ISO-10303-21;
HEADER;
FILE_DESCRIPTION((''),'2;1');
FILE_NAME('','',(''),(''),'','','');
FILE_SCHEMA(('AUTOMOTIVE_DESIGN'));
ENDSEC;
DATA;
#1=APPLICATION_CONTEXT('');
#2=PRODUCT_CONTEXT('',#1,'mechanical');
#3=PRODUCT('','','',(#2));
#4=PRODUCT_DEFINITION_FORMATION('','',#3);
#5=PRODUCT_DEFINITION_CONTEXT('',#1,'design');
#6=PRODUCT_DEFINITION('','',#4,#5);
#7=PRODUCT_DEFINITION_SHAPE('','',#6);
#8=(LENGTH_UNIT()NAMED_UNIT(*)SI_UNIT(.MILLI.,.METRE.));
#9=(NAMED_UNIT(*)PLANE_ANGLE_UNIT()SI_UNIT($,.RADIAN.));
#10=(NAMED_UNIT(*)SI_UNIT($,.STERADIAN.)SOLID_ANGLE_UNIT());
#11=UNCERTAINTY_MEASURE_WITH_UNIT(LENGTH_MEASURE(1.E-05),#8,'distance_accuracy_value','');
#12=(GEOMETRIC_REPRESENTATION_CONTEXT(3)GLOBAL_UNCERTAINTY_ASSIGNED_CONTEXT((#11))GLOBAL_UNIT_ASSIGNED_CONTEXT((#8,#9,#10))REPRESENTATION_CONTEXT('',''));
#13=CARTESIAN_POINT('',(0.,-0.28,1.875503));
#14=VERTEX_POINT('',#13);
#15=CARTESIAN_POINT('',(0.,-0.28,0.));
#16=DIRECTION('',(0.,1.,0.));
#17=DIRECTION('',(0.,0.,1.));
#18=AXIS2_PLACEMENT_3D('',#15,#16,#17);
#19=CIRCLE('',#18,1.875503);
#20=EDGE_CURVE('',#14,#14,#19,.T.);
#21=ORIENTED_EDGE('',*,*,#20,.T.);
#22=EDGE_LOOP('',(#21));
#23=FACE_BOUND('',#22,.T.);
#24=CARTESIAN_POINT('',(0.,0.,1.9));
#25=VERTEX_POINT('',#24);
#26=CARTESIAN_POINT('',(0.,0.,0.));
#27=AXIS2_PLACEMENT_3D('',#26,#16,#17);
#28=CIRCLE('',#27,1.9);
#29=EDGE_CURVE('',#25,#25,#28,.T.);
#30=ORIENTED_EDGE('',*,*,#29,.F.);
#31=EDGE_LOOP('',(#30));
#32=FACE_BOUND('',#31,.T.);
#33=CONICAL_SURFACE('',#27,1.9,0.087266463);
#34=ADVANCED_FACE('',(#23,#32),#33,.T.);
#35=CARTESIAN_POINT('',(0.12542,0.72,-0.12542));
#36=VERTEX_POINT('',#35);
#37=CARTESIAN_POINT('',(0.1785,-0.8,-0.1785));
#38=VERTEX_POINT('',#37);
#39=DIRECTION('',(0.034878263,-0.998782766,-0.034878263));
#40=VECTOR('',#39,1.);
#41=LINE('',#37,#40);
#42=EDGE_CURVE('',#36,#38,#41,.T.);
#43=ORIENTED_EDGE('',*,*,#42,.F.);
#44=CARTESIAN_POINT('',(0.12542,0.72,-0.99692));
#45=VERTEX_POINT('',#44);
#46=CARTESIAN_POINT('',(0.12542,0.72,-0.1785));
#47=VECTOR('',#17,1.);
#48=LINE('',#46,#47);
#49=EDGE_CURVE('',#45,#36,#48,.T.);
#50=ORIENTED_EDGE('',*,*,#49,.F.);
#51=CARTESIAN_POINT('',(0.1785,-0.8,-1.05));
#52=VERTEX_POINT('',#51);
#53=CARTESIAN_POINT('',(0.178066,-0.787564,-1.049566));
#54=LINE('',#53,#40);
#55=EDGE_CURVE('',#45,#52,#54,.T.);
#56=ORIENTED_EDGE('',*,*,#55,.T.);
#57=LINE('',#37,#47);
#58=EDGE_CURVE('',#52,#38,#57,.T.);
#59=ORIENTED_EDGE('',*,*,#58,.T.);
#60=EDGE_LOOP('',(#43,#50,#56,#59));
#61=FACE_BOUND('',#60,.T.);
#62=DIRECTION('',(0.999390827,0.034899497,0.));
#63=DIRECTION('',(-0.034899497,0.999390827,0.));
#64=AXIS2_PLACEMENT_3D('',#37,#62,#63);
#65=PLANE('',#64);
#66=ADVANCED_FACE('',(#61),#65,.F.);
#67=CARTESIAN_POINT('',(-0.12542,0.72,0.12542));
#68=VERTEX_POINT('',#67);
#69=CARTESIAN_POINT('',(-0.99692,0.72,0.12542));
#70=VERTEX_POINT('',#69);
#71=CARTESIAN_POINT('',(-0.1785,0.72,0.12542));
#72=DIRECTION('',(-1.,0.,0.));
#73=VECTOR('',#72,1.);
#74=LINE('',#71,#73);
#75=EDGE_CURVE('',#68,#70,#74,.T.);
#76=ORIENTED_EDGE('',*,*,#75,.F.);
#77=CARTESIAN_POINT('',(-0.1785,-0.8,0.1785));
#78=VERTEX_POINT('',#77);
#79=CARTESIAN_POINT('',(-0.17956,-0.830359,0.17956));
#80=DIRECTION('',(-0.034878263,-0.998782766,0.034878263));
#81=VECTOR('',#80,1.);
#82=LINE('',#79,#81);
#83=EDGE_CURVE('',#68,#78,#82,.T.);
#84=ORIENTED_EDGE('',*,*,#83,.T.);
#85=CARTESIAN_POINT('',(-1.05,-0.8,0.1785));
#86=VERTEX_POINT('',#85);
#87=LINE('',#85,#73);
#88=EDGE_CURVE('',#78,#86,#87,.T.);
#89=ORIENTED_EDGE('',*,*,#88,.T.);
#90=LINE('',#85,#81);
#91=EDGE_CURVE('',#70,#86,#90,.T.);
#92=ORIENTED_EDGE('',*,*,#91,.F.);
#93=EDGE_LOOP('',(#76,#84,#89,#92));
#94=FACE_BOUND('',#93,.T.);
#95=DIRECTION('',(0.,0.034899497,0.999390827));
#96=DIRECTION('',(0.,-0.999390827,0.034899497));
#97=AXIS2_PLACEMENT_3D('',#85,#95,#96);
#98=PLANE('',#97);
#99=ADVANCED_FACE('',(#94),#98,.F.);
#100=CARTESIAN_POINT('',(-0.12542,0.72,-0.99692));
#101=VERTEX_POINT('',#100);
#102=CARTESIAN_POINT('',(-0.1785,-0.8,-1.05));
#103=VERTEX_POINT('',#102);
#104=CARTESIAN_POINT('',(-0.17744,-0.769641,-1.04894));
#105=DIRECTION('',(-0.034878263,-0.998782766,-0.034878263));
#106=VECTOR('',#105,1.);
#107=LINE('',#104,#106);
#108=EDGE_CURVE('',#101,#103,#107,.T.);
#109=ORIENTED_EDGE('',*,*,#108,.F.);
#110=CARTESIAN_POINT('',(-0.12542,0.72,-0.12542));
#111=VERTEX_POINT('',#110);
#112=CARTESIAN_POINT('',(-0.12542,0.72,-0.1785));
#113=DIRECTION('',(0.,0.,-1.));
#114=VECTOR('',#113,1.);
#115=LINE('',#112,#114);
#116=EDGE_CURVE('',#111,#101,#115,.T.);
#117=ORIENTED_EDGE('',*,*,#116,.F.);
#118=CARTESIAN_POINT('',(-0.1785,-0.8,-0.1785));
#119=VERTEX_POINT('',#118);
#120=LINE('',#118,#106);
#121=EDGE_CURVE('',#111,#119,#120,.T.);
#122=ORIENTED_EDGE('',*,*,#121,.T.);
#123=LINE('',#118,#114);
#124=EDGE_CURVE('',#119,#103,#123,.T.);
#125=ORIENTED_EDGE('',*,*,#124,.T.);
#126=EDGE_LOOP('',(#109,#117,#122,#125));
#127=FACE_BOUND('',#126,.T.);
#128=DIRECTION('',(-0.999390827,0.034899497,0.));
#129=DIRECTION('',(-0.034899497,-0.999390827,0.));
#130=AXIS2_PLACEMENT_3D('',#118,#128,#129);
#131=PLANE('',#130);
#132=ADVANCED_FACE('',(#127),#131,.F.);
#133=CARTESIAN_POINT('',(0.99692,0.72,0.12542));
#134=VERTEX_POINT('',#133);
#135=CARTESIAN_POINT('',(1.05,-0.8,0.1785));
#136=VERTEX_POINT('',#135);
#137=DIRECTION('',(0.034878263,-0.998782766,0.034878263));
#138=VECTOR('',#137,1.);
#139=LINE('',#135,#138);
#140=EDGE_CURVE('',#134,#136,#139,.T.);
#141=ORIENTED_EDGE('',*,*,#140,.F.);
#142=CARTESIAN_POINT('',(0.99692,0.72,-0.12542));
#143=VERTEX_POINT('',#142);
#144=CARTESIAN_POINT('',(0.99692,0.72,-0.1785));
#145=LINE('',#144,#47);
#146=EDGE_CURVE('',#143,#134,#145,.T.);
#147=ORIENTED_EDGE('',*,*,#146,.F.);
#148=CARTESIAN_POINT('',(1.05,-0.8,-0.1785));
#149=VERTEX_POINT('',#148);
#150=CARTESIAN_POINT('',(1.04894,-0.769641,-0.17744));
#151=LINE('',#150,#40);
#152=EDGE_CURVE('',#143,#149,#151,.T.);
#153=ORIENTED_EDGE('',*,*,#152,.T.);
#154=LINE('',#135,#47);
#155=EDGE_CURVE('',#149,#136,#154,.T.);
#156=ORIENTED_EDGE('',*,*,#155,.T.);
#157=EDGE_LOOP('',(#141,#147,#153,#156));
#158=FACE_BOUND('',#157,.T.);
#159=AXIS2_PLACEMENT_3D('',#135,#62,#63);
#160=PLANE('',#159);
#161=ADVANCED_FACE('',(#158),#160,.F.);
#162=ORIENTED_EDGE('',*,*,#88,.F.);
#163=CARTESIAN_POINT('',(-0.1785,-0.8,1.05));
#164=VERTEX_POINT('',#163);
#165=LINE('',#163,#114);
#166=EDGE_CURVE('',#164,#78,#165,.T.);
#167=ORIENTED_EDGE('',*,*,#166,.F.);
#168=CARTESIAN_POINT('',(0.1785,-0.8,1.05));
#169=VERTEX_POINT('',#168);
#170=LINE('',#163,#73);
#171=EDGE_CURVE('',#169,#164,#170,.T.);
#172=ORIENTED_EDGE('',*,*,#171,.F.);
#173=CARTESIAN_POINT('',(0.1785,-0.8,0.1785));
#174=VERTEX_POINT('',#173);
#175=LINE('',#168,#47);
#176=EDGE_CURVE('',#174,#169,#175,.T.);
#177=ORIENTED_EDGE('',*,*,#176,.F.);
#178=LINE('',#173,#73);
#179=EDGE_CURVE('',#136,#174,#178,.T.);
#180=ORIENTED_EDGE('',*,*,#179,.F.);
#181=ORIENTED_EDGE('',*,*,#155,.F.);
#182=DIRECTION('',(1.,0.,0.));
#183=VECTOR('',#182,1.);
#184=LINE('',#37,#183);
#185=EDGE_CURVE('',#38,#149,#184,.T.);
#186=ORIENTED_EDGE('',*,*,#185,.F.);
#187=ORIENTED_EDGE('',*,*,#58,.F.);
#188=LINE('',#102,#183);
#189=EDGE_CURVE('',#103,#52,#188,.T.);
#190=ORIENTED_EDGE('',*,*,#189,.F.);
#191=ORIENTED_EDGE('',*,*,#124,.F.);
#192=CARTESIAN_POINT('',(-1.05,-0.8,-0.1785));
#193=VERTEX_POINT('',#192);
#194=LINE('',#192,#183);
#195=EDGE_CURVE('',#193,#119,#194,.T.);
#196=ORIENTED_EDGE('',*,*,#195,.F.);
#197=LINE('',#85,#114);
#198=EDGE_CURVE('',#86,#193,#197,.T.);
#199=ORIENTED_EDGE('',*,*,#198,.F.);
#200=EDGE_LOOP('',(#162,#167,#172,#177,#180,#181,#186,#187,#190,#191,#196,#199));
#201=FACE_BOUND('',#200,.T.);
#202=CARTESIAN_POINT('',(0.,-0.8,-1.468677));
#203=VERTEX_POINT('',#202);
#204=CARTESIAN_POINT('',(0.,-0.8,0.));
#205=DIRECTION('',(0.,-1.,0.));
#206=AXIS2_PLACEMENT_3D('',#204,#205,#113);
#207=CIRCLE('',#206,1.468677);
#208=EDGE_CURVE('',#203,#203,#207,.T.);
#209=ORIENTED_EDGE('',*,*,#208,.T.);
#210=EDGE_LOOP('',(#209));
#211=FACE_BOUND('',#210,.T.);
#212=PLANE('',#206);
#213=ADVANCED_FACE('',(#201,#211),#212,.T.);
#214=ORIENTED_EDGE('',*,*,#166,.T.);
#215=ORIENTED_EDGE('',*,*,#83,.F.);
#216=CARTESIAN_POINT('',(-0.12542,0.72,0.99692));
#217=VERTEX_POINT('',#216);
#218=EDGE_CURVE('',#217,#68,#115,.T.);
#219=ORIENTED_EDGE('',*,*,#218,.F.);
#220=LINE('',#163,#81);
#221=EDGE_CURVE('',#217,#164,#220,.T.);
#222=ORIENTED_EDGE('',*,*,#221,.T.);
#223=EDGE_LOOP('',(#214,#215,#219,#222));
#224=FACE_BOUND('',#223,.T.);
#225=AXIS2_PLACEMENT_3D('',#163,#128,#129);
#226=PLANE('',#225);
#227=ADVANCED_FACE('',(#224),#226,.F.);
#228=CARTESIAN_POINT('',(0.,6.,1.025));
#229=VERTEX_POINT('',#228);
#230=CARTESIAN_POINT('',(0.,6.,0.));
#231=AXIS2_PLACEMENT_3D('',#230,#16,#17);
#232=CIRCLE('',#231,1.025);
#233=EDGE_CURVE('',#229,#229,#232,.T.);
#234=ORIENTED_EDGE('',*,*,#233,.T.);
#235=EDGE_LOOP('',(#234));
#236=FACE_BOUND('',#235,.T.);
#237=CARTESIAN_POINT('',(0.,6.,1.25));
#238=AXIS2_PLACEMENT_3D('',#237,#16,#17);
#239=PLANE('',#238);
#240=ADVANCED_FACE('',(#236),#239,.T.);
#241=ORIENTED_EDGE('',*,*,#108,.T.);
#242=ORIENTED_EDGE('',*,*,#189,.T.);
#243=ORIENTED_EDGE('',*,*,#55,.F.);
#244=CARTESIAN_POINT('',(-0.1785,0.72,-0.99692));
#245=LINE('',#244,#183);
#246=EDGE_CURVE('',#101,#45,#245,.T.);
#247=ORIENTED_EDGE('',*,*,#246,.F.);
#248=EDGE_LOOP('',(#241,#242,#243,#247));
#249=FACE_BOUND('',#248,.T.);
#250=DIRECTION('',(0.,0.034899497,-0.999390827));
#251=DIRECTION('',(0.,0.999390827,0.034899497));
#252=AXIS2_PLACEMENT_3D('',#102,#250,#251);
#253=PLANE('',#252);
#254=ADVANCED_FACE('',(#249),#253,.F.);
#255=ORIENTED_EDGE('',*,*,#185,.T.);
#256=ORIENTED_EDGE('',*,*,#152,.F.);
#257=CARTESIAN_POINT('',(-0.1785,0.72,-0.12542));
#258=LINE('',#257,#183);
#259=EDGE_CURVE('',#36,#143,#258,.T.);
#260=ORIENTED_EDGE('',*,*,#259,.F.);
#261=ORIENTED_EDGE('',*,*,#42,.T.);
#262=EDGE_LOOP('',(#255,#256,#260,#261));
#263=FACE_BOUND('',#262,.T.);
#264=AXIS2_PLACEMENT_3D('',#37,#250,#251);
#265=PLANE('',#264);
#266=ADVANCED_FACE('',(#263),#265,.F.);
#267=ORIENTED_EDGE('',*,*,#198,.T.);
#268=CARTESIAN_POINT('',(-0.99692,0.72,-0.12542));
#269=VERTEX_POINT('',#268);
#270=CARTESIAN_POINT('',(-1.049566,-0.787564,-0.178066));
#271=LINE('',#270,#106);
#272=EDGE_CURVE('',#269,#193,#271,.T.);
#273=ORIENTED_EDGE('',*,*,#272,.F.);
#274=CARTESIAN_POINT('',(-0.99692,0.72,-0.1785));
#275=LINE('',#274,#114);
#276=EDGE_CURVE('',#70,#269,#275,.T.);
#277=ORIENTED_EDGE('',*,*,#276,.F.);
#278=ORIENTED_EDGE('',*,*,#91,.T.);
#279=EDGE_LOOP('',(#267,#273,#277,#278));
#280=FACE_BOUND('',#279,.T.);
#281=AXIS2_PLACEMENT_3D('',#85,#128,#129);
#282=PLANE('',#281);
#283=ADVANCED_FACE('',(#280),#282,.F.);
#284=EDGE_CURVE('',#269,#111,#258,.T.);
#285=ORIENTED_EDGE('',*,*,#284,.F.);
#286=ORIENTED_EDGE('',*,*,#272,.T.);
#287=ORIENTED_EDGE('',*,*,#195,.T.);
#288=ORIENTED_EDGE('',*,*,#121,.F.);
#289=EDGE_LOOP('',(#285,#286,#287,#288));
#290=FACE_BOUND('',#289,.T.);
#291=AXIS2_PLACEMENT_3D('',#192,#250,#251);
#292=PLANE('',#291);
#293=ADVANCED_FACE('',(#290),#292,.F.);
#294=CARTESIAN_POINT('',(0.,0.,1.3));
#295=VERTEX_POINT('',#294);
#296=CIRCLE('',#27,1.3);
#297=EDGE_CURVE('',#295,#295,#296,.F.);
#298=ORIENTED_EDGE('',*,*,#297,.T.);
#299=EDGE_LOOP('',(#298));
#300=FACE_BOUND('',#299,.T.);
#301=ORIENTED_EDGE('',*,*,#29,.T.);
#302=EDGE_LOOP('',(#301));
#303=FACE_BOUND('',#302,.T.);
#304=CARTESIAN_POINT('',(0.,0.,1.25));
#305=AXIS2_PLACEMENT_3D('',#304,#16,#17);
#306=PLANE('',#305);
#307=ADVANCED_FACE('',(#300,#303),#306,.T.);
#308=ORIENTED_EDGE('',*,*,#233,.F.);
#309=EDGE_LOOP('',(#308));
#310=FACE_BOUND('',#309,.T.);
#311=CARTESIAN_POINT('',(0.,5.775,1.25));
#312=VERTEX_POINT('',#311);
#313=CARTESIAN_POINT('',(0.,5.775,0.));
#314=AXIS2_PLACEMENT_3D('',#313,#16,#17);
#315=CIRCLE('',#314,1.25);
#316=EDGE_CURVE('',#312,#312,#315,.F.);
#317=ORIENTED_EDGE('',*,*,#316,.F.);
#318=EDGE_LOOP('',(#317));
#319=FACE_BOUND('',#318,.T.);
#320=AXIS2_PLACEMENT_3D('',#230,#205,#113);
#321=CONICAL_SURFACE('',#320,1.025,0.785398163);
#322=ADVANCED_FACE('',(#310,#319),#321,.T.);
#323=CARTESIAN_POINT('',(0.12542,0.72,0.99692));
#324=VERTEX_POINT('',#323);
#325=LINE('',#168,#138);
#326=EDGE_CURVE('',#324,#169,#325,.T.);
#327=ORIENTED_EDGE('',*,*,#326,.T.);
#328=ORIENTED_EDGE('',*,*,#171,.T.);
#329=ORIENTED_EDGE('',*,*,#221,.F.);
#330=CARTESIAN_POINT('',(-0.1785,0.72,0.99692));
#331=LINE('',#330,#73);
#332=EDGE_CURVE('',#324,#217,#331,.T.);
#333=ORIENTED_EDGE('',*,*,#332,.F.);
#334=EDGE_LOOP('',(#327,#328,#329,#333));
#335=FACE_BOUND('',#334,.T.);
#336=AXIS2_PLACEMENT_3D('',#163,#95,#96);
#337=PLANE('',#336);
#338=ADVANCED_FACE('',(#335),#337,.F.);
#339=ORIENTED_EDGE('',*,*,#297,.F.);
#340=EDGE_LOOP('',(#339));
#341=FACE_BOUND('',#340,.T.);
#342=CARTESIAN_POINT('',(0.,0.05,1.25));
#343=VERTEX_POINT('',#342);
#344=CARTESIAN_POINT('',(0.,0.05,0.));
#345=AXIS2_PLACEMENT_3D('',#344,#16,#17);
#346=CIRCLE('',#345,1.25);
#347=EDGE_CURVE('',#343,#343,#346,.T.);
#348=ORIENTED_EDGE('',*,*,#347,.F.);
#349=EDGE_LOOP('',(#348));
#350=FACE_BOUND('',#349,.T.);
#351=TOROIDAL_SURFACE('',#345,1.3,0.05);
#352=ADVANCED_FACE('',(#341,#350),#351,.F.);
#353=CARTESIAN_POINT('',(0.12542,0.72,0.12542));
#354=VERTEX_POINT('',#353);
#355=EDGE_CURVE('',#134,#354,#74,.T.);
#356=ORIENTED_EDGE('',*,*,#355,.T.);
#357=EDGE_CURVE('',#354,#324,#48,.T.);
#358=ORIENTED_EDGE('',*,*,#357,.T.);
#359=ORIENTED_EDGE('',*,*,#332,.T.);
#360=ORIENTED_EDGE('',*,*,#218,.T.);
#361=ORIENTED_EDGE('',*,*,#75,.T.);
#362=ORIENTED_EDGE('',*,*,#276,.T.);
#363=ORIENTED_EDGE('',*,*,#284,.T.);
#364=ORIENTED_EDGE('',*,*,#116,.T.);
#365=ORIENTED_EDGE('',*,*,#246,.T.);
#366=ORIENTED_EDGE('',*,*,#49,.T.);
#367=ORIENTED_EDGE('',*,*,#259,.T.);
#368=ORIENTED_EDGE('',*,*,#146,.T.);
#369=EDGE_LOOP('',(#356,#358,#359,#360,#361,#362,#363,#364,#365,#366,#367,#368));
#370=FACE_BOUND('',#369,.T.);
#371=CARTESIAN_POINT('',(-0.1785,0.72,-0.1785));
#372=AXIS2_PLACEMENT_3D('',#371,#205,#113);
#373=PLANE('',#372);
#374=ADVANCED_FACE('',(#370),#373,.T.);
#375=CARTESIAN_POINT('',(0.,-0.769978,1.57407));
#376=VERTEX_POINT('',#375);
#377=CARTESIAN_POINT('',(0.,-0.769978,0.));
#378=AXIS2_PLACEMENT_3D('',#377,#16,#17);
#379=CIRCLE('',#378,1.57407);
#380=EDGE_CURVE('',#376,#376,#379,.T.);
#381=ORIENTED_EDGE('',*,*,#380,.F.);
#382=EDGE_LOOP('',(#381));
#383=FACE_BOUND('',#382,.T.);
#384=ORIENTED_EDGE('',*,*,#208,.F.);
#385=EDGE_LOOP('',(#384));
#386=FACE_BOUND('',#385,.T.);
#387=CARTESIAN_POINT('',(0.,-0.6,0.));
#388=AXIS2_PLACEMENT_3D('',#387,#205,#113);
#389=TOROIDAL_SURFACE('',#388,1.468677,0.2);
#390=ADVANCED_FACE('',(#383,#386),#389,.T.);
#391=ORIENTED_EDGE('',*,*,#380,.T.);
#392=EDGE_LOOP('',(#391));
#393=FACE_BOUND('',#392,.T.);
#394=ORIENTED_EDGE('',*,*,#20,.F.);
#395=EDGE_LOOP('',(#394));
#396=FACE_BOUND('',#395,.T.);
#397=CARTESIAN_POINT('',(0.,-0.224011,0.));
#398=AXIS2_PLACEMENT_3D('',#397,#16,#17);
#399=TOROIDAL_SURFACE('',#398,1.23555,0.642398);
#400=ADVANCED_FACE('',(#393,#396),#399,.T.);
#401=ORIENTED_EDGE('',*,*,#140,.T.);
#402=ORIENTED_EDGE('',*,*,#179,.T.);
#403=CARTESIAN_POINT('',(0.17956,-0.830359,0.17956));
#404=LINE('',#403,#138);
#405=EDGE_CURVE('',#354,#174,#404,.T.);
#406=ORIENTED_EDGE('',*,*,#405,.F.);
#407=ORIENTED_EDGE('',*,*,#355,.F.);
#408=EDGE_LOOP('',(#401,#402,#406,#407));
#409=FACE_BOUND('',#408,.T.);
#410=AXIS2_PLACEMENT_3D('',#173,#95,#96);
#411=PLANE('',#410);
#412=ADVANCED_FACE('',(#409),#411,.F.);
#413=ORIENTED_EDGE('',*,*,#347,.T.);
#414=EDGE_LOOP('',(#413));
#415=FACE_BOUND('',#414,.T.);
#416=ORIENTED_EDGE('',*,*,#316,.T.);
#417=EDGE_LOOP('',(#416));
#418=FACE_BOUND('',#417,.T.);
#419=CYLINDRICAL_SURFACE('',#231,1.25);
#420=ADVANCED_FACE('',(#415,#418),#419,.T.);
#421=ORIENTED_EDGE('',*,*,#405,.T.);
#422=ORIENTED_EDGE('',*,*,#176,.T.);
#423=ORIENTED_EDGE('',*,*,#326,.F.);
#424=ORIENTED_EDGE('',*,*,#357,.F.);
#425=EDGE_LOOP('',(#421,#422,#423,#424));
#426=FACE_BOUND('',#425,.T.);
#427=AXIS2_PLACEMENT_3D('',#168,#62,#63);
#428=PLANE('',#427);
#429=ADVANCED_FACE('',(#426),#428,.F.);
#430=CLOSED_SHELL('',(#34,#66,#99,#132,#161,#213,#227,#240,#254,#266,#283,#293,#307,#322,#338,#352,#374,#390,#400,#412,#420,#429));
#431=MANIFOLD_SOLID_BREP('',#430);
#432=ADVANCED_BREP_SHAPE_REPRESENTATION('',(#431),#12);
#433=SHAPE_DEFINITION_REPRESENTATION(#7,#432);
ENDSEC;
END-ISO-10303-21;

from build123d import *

# Parameters (mm, degrees)
FILLET5_R          = 0.2
CUT_EXTRUDE1_DEPTH = 1.52
CUT_EXTRUDE1_DRAFT = -2
FILLET4_R          = 0.05
CHAMFER1_SIZE      = 0.225


with BuildPart() as part:
    # Sketch1 → Revolve1 (revolve)
    with BuildSketch(Plane(origin=(0, 0, 0), x_dir=(0, 0, -1), z_dir=(1, 0, 0))):
        with BuildLine():
            Line((-1.25, 0), (-1.25, 6))
            Line((-1.25, 6), (0, 6))
            Line((0, 6), (0, -0.8))
            Line((0, -0.8), (-1.52, -0.8))
            ThreePointArc((-1.52, -0.8), (-1.765861533, -0.586564042), (-1.875503174, -0.28))
            Line((-1.875503174, -0.28), (-1.9, 0))
            Line((-1.9, 0), (-1.25, 0))
        make_face()
    revolve(axis=Axis((0, 6, 0), (0, -1, 0)))

    # Fillet5
    fillet5_edges = [part.edges().sort_by_distance(p)[0] for p in [
        (0, -0.8, -1.52),
    ]]
    fillet(fillet5_edges, radius=FILLET5_R)


with BuildPart() as cut_extrude1_tool:
    # Sketch2 → Cut-Extrude1 (with draft: the straight prism first)
    with BuildSketch(Plane.XZ.offset(0.8)):
        Polygon((0.1785, 0.1785), (0.1785, 1.05), (-0.1785, 1.05), (-0.1785, 0.1785), (-1.05, 0.1785), (-1.05, -0.1785), (-0.1785, -0.1785), (-0.1785, -1.05), (0.1785, -1.05), (0.1785, -0.1785), (1.05, -0.1785), (1.05, 0.1785), align=None)
    extrude(amount=-CUT_EXTRUDE1_DEPTH)
    # Cut-Extrude1: the draft: its side faces are tilted about the plane it starts from
    cut_extrude1_sides = [cut_extrude1_tool.faces().sort_by_distance(p)[0] for p in [
        (0.1785, -0.04, 0.61425),
        (0, -0.04, 1.05),
        (-0.1785, -0.04, 0.61425),
        (-0.61425, -0.04, 0.1785),
        (-1.05, -0.04, 0),
        (-0.61425, -0.04, -0.1785),
        (-0.1785, -0.04, -0.61425),
        (0, -0.04, -1.05),
        (0.1785, -0.04, -0.61425),
        (0.61425, -0.04, -0.1785),
        (1.05, -0.04, 0),
        (0.61425, -0.04, 0.1785),
    ]]
    draft(cut_extrude1_sides, Plane.XZ.offset(0.8), CUT_EXTRUDE1_DRAFT)


with BuildPart() as part_1:
    add(part.part)

    # Cut-Extrude1: cut by cut_extrude1_tool
    add(cut_extrude1_tool.part, mode=Mode.SUBTRACT)

    # Fillet4
    fillet4_edges = [part_1.edges().sort_by_distance(p)[0] for p in [
        (0, 0, -1.25),
    ]]
    fillet(fillet4_edges, radius=FILLET4_R)

    # Chamfer1
    chamfer1_edges = [part_1.edges().sort_by_distance(p)[0] for p in [
        (0, 6, -1.25),
    ]]
    chamfer(chamfer1_edges, length=CHAMFER1_SIZE)


solid = part_1.part
